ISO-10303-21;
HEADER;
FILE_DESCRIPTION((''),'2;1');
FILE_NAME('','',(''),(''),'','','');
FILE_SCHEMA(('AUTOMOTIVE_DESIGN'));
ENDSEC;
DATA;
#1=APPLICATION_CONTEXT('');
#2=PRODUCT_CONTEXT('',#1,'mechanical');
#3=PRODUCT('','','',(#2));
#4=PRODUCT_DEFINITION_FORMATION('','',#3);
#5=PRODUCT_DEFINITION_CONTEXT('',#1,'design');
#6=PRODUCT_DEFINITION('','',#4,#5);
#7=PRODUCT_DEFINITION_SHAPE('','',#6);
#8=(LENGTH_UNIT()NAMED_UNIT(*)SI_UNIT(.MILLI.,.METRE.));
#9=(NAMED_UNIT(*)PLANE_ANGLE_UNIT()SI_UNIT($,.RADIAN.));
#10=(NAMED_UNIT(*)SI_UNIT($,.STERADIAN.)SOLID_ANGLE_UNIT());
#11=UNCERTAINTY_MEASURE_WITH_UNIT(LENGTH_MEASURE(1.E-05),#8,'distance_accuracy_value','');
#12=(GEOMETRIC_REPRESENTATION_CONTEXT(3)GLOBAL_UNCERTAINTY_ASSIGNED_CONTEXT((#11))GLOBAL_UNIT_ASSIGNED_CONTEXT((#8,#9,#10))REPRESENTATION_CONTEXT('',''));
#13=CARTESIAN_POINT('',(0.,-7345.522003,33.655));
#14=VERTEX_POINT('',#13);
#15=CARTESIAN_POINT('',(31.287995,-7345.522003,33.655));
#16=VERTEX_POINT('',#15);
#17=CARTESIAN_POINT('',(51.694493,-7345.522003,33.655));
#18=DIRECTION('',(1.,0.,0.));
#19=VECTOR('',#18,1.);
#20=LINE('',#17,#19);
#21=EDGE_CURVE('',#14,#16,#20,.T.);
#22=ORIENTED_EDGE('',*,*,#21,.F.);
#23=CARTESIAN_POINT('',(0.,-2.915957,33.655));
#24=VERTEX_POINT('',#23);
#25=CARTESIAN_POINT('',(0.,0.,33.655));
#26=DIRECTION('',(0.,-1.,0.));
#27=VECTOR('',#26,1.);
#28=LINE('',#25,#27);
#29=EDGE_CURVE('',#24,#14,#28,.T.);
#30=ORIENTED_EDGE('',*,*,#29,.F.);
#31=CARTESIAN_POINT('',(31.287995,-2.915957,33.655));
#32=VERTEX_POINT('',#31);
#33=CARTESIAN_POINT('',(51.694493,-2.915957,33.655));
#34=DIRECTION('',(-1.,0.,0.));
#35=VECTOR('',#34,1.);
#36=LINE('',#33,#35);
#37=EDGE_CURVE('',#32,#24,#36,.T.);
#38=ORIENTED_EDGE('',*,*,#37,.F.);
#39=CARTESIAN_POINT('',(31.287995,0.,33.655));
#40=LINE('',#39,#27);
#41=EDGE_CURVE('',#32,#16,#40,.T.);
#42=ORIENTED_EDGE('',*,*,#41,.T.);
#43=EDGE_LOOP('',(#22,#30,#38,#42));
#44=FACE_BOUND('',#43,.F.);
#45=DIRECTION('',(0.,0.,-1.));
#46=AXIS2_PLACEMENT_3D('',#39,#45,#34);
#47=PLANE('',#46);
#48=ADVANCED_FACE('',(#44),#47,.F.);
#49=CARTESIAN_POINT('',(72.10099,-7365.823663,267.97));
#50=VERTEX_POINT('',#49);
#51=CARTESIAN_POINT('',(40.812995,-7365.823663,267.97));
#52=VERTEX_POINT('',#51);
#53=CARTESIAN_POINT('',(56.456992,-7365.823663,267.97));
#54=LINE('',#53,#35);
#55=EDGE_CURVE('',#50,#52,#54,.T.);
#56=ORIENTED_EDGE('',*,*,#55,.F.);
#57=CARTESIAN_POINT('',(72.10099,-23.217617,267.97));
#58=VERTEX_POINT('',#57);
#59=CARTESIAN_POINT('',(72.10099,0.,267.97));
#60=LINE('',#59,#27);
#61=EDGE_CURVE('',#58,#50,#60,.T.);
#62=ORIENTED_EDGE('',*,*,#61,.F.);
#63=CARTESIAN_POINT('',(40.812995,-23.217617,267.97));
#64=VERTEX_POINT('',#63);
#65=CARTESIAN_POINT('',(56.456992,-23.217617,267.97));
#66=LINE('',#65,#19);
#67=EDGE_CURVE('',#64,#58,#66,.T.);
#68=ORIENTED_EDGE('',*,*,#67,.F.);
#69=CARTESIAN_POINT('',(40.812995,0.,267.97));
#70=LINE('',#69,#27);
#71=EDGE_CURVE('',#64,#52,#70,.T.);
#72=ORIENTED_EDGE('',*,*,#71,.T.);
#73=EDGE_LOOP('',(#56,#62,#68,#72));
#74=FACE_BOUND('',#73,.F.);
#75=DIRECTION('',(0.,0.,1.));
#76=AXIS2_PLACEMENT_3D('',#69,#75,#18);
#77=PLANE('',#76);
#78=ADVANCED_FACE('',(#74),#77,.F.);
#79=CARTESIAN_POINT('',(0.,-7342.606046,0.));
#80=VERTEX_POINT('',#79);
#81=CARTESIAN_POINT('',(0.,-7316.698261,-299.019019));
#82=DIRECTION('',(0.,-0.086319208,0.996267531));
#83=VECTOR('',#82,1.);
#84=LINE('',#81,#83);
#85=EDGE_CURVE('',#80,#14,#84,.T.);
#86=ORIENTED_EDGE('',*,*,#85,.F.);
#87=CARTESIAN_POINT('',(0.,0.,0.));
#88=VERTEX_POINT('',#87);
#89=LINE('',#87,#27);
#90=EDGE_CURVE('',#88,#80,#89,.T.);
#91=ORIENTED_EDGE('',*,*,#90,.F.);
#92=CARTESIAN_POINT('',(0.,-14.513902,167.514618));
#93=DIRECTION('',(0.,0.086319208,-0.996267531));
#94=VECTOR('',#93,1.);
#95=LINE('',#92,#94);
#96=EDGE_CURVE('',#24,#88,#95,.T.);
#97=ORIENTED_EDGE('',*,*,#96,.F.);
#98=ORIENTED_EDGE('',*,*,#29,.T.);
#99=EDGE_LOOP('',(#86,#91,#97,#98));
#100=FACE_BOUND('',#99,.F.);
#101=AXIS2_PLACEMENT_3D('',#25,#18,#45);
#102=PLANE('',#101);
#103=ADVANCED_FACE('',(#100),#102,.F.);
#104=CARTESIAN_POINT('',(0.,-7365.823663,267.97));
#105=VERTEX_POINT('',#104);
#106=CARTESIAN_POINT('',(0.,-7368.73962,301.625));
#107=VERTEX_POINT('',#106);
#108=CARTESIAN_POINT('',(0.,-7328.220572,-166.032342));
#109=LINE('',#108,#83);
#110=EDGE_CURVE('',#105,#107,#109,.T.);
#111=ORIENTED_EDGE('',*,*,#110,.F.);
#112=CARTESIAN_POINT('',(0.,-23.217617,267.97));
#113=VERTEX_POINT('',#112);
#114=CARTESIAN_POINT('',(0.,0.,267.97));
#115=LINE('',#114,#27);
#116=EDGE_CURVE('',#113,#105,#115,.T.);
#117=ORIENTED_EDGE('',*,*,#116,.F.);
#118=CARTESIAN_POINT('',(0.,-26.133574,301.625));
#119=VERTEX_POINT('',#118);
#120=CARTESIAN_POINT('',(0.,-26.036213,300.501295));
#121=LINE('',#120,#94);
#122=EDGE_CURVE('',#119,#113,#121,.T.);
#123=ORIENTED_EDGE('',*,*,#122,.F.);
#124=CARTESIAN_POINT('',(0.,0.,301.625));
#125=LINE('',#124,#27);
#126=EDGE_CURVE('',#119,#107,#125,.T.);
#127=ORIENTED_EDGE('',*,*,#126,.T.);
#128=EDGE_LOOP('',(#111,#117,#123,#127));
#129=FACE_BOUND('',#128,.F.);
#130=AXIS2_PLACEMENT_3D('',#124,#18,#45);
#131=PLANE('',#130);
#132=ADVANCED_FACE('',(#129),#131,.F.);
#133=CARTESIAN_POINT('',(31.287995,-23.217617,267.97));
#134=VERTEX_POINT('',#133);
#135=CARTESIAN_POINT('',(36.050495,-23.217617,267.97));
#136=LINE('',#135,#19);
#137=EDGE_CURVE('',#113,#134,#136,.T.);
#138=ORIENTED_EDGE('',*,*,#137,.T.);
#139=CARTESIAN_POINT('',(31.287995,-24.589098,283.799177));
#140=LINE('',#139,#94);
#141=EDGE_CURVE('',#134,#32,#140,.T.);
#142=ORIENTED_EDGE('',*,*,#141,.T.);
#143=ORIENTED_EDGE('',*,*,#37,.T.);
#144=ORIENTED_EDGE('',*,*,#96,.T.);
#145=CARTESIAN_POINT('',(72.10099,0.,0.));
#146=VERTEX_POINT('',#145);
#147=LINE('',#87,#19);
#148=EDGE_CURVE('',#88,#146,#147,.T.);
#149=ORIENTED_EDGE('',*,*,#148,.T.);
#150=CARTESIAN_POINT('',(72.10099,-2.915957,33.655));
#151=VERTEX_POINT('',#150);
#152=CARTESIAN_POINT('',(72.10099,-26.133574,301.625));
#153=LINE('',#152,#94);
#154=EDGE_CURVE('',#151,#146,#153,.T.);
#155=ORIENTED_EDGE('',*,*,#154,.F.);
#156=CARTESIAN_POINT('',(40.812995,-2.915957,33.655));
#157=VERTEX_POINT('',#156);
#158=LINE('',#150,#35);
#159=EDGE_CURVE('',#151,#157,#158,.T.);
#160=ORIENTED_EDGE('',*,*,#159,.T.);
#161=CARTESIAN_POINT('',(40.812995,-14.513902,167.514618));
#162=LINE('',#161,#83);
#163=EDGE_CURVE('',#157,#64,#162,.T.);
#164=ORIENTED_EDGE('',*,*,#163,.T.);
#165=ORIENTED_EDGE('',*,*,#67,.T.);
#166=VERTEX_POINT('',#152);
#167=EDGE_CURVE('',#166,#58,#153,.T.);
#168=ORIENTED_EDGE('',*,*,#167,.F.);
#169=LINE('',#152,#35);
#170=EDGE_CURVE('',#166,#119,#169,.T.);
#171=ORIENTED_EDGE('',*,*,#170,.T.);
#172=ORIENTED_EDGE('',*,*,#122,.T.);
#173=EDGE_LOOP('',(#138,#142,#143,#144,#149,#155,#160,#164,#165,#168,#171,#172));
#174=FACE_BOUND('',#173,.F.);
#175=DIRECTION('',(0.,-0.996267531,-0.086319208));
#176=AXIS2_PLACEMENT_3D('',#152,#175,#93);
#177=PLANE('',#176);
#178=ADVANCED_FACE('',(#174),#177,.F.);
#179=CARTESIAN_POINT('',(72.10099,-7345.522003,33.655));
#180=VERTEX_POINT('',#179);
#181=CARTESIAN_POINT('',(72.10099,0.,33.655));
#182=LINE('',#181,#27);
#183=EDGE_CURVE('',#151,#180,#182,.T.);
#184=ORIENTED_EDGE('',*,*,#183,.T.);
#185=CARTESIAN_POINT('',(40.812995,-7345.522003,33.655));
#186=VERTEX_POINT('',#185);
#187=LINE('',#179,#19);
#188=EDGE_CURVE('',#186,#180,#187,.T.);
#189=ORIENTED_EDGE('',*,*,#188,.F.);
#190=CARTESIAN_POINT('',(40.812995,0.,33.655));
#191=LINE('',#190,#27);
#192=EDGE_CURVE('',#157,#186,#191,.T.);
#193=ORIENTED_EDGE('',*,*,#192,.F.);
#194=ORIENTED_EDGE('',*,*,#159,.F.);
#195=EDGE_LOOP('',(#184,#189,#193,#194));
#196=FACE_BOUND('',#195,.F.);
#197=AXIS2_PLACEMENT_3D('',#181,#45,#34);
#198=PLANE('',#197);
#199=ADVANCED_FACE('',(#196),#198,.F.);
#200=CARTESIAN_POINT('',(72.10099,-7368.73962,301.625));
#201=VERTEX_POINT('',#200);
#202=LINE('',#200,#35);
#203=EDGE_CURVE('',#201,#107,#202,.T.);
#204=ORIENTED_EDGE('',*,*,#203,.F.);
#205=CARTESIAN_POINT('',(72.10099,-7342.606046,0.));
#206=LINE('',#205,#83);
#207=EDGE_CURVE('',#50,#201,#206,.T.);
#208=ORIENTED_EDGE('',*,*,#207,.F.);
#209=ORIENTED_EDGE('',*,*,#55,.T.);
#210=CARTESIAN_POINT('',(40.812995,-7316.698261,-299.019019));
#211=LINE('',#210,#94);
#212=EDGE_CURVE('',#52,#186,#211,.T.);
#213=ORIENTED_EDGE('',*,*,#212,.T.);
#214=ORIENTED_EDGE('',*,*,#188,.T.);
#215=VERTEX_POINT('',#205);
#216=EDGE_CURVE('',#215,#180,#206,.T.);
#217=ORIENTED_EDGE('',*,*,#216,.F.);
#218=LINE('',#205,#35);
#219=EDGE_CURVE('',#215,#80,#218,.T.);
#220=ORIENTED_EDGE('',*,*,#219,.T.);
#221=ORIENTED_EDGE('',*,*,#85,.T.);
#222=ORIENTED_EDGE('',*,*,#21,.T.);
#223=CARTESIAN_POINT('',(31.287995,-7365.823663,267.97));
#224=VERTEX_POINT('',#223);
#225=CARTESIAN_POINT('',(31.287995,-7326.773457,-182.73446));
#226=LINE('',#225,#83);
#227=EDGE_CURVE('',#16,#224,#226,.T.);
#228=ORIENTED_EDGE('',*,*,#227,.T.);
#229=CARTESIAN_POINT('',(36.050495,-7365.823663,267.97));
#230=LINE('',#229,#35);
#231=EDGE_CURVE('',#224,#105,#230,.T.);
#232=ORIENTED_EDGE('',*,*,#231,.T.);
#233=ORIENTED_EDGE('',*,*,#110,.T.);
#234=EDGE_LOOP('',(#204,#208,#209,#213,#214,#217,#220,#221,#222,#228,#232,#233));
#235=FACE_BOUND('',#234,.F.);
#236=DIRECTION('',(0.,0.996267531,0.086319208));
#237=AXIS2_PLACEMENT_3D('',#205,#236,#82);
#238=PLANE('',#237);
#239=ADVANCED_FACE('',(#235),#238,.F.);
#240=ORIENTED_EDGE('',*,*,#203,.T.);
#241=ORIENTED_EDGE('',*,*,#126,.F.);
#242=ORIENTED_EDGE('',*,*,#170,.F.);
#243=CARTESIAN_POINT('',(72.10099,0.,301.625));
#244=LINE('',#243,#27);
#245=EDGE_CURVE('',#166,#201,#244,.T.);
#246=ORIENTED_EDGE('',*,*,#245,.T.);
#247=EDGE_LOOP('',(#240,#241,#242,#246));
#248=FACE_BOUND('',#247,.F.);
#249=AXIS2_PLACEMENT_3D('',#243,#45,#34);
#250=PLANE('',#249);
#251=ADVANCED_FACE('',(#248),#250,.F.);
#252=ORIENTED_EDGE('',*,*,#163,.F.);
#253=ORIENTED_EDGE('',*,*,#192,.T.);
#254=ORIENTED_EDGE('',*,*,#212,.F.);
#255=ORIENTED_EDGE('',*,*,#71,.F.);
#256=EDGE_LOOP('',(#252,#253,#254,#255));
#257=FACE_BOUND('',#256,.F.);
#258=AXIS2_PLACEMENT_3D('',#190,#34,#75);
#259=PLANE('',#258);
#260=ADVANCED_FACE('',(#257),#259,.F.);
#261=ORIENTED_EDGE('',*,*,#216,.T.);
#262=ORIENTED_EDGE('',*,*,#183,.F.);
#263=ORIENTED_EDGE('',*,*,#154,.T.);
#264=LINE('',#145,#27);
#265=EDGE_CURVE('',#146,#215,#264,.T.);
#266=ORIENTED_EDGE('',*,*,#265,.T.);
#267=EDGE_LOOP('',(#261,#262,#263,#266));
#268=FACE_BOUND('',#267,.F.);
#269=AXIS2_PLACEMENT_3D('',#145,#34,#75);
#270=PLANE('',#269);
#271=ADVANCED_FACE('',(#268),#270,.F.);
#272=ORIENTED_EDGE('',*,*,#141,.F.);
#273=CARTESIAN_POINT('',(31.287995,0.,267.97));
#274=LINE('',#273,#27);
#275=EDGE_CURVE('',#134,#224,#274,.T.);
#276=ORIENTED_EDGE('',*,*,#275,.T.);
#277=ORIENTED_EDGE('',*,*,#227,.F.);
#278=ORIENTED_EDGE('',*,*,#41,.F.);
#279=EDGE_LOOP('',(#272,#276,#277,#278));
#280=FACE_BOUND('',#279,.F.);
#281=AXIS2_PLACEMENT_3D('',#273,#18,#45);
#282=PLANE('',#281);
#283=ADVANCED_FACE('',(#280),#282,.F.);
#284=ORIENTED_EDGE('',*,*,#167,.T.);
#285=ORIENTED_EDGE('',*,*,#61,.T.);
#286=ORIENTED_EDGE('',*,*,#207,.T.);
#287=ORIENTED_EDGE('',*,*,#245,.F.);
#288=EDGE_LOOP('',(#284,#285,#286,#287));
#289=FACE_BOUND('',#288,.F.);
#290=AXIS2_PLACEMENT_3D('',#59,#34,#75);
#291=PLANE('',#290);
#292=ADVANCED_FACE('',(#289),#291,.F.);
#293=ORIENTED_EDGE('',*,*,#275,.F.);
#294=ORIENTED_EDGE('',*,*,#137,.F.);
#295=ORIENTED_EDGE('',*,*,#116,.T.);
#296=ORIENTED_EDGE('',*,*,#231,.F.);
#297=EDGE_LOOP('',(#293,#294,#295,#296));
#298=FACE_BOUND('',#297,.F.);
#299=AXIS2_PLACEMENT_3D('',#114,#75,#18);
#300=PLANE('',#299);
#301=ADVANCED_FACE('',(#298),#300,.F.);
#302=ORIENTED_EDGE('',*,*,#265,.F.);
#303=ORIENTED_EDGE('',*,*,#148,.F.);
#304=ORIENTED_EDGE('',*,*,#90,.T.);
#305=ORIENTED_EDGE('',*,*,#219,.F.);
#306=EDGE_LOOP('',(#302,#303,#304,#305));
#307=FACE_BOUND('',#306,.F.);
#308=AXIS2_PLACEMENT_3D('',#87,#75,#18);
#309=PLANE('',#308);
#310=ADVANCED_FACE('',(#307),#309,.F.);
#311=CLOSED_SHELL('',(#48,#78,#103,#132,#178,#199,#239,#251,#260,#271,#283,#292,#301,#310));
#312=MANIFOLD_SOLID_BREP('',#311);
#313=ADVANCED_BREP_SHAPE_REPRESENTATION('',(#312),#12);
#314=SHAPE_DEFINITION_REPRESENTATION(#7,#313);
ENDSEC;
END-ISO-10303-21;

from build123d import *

# Parameters (mm, degrees)
F1_DEPTH = 7620
F3_DEPTH = 72.10199


with BuildPart() as f1:
    # F0 (on Front) → F1 (new body)
    with BuildSketch(Plane.XZ):
        Polygon((0, 33.655), (0, 0), (72.10099, 0), (72.10099, 33.655), (40.812995, 33.655), (40.812995, 267.97), (72.10099, 267.97), (72.10099, 301.625), (0, 301.625), (0, 267.97), (31.287995, 267.97), (31.287995, 33.655), align=None)
    extrude(amount=F1_DEPTH)

    # F2 (on face) → F3 (cut, through all)
    with BuildSketch(Plane.YZ.offset(72.10099)):
        Polygon((-7620, 0), (-7342.606046, 0), (-7368.73962, 301.625), (-7620, 301.625), align=None)
        Polygon((-26.133574, 301.625), (0, 0), (0, 301.625), align=None)
    extrude(amount=-F3_DEPTH, mode=Mode.SUBTRACT)


solid = f1.part
